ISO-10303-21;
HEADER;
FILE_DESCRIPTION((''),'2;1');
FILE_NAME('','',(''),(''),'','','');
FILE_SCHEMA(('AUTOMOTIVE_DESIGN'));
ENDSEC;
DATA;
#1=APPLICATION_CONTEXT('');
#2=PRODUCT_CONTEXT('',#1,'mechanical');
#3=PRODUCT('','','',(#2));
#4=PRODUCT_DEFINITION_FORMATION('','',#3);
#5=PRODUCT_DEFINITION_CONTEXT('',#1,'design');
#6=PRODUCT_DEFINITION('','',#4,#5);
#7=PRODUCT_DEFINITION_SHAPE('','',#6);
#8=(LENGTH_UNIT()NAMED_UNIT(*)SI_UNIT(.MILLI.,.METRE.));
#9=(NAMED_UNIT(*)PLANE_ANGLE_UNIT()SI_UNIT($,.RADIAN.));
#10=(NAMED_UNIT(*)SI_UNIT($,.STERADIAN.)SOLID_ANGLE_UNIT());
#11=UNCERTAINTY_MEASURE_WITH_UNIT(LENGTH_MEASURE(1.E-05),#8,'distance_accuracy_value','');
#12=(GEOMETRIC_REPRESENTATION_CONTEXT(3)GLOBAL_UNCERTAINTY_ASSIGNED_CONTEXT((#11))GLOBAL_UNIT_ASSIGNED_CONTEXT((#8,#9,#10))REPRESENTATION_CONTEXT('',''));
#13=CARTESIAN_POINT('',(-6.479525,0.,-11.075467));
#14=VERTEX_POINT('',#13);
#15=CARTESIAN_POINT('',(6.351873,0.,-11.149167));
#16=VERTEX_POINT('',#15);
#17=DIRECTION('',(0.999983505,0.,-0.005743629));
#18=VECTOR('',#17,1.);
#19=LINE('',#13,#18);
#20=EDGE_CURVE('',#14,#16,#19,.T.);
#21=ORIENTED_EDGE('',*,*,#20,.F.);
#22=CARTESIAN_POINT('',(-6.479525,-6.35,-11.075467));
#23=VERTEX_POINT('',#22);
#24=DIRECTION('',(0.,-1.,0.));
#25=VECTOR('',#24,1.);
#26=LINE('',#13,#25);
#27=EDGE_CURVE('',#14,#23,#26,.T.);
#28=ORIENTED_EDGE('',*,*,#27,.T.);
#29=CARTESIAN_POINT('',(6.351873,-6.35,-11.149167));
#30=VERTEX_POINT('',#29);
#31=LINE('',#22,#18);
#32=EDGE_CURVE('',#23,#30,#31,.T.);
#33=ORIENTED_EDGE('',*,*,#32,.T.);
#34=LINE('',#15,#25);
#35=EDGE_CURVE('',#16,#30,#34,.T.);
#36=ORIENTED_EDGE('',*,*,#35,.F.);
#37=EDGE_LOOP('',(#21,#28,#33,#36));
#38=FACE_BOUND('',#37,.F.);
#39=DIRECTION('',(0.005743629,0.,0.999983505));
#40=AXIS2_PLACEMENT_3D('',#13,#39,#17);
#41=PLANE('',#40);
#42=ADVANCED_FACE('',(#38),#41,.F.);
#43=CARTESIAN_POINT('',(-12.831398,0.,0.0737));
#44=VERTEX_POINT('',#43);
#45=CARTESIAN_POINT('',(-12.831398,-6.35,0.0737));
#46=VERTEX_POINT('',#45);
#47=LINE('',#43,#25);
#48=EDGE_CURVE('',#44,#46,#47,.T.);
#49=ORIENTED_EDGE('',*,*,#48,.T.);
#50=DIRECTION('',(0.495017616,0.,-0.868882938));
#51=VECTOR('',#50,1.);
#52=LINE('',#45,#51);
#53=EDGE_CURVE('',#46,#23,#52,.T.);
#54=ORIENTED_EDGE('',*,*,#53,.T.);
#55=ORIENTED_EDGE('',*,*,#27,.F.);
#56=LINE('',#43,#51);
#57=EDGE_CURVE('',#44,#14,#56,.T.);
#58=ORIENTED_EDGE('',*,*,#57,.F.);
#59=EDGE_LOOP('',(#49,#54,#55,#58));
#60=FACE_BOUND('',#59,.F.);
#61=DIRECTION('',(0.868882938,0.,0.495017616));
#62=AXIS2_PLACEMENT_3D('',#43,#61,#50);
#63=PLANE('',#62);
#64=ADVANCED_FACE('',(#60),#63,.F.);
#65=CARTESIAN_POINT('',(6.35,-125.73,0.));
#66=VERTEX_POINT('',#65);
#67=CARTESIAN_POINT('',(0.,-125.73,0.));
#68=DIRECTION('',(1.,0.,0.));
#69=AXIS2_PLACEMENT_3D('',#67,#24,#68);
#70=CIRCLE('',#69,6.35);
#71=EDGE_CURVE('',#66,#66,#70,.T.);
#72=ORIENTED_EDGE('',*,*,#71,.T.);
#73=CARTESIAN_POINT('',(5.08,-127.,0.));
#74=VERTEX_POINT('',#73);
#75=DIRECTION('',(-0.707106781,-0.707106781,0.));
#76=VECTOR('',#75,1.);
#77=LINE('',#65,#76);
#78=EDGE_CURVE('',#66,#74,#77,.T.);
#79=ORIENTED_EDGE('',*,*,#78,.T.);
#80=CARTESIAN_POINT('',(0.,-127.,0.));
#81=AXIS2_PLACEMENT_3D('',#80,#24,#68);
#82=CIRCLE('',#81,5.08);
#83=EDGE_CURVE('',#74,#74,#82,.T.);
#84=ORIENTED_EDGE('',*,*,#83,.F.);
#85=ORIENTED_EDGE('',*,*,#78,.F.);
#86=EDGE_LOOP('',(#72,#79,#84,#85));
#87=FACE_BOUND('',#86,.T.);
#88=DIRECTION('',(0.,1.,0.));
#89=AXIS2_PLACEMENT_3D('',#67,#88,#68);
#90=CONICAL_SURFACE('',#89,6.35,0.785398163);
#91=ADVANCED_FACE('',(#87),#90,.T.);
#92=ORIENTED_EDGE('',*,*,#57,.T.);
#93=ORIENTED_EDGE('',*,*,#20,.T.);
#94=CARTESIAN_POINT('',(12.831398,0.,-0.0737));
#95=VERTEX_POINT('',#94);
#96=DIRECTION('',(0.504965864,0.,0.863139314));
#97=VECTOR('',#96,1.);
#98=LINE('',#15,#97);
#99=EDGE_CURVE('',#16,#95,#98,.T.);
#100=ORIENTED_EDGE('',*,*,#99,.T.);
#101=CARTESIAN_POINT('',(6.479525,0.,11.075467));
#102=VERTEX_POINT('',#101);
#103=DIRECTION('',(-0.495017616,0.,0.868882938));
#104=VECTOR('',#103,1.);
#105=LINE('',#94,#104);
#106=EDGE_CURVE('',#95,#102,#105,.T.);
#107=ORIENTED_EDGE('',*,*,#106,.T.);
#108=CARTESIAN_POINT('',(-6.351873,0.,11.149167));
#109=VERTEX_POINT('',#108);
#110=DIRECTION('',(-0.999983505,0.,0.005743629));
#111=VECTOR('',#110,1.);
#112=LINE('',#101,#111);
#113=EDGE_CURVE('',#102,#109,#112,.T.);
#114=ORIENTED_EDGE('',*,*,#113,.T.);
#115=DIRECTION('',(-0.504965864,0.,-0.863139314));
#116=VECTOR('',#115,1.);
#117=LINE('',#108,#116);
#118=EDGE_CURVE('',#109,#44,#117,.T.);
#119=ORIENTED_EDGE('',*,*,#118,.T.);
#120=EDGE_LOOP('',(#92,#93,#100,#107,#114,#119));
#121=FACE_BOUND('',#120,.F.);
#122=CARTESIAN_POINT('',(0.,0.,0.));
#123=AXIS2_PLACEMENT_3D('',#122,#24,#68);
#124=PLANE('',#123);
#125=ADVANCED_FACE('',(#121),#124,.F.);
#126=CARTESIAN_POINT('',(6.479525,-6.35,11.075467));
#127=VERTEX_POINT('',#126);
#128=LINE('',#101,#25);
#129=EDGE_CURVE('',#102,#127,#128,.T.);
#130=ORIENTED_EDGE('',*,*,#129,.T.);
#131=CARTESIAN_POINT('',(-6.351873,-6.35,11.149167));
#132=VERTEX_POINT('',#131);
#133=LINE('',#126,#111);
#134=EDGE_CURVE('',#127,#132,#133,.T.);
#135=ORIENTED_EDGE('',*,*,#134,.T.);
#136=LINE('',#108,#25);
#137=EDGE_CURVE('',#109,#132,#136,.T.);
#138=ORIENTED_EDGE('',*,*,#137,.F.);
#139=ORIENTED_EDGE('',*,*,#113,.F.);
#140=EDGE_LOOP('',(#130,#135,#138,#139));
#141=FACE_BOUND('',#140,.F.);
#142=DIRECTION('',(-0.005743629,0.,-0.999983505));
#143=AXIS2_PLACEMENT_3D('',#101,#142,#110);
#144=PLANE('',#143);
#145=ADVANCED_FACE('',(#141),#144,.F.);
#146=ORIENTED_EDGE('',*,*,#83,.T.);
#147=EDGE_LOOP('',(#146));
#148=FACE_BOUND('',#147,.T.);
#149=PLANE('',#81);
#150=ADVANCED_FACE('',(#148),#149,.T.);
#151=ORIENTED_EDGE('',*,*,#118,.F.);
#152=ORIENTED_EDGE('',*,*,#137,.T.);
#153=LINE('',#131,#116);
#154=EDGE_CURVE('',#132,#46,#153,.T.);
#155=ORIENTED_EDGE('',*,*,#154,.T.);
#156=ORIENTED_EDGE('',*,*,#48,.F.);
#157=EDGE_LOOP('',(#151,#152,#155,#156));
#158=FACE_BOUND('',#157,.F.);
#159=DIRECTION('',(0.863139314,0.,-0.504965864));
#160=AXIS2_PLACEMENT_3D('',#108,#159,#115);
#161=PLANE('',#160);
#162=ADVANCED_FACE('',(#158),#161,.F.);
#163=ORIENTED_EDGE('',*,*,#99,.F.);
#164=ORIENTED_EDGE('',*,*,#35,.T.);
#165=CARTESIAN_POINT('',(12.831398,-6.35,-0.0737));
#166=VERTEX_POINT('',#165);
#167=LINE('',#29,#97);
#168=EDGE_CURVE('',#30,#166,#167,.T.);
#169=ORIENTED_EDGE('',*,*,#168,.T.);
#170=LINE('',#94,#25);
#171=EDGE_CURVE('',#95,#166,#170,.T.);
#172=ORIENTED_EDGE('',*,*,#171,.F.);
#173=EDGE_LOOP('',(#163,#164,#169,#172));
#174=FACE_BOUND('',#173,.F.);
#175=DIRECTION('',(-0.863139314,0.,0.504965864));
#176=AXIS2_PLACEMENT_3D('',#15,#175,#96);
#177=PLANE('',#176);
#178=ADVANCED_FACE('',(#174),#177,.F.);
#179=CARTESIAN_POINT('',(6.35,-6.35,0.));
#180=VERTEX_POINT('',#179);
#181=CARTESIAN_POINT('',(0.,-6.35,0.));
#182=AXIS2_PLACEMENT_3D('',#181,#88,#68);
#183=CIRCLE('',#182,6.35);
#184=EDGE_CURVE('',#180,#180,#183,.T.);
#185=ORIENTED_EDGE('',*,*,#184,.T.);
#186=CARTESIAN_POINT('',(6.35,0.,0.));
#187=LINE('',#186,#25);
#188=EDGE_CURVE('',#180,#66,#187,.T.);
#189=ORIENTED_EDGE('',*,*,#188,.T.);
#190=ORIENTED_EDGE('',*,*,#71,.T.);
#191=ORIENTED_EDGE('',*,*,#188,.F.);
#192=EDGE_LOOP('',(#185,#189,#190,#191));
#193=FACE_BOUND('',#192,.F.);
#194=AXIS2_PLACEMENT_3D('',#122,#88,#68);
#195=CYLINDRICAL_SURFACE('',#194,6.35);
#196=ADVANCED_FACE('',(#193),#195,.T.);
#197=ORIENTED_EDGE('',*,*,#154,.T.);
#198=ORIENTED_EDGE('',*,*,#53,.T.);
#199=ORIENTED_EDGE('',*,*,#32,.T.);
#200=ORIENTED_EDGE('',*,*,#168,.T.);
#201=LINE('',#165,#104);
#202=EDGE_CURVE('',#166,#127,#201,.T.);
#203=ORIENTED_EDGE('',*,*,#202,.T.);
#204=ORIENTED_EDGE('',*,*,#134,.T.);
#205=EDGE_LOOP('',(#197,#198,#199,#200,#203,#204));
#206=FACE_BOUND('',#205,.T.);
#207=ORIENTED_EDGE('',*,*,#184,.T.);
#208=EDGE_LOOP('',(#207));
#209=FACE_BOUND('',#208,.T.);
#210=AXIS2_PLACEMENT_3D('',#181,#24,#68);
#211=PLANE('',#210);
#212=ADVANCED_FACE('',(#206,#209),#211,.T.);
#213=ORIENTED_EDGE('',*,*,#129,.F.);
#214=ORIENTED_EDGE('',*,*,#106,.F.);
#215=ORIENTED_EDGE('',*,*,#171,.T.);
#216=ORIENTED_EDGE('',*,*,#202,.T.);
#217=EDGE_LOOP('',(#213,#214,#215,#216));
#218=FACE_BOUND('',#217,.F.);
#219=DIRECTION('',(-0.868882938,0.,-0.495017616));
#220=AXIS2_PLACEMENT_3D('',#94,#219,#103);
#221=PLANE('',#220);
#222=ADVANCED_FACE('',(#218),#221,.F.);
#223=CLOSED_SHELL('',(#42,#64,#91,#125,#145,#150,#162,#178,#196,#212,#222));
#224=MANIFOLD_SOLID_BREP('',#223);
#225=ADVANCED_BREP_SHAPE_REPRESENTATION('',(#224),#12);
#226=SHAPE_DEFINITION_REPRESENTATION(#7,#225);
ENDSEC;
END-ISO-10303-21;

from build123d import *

# Parameters (mm, degrees)
F1_DEPTH = 6.35
F2_R     = 6.35
F3_DEPTH = 127
F4_SIZE  = 1.27


with BuildPart() as f1:
    # F0 (on Front) → F1 (new body)
    with BuildSketch(Plane.XZ):
        Polygon((6.351873, -11.149167), (12.831398, -0.0737), (6.479525, 11.075467), (-6.351873, 11.149167), (-12.831398, 0.0737), (-6.479525, -11.075467), align=None)
    extrude(amount=F1_DEPTH)

    # F2 (on Front) → F3 (join)
    with BuildSketch(Plane.XZ):
        Circle(F2_R)
    extrude(amount=F3_DEPTH)

    # F4
    f4_edges = [f1.edges().sort_by_distance(p)[0] for p in [
        (-6.35, -127, 0),
    ]]
    chamfer(f4_edges, length=F4_SIZE)


solid = f1.part
